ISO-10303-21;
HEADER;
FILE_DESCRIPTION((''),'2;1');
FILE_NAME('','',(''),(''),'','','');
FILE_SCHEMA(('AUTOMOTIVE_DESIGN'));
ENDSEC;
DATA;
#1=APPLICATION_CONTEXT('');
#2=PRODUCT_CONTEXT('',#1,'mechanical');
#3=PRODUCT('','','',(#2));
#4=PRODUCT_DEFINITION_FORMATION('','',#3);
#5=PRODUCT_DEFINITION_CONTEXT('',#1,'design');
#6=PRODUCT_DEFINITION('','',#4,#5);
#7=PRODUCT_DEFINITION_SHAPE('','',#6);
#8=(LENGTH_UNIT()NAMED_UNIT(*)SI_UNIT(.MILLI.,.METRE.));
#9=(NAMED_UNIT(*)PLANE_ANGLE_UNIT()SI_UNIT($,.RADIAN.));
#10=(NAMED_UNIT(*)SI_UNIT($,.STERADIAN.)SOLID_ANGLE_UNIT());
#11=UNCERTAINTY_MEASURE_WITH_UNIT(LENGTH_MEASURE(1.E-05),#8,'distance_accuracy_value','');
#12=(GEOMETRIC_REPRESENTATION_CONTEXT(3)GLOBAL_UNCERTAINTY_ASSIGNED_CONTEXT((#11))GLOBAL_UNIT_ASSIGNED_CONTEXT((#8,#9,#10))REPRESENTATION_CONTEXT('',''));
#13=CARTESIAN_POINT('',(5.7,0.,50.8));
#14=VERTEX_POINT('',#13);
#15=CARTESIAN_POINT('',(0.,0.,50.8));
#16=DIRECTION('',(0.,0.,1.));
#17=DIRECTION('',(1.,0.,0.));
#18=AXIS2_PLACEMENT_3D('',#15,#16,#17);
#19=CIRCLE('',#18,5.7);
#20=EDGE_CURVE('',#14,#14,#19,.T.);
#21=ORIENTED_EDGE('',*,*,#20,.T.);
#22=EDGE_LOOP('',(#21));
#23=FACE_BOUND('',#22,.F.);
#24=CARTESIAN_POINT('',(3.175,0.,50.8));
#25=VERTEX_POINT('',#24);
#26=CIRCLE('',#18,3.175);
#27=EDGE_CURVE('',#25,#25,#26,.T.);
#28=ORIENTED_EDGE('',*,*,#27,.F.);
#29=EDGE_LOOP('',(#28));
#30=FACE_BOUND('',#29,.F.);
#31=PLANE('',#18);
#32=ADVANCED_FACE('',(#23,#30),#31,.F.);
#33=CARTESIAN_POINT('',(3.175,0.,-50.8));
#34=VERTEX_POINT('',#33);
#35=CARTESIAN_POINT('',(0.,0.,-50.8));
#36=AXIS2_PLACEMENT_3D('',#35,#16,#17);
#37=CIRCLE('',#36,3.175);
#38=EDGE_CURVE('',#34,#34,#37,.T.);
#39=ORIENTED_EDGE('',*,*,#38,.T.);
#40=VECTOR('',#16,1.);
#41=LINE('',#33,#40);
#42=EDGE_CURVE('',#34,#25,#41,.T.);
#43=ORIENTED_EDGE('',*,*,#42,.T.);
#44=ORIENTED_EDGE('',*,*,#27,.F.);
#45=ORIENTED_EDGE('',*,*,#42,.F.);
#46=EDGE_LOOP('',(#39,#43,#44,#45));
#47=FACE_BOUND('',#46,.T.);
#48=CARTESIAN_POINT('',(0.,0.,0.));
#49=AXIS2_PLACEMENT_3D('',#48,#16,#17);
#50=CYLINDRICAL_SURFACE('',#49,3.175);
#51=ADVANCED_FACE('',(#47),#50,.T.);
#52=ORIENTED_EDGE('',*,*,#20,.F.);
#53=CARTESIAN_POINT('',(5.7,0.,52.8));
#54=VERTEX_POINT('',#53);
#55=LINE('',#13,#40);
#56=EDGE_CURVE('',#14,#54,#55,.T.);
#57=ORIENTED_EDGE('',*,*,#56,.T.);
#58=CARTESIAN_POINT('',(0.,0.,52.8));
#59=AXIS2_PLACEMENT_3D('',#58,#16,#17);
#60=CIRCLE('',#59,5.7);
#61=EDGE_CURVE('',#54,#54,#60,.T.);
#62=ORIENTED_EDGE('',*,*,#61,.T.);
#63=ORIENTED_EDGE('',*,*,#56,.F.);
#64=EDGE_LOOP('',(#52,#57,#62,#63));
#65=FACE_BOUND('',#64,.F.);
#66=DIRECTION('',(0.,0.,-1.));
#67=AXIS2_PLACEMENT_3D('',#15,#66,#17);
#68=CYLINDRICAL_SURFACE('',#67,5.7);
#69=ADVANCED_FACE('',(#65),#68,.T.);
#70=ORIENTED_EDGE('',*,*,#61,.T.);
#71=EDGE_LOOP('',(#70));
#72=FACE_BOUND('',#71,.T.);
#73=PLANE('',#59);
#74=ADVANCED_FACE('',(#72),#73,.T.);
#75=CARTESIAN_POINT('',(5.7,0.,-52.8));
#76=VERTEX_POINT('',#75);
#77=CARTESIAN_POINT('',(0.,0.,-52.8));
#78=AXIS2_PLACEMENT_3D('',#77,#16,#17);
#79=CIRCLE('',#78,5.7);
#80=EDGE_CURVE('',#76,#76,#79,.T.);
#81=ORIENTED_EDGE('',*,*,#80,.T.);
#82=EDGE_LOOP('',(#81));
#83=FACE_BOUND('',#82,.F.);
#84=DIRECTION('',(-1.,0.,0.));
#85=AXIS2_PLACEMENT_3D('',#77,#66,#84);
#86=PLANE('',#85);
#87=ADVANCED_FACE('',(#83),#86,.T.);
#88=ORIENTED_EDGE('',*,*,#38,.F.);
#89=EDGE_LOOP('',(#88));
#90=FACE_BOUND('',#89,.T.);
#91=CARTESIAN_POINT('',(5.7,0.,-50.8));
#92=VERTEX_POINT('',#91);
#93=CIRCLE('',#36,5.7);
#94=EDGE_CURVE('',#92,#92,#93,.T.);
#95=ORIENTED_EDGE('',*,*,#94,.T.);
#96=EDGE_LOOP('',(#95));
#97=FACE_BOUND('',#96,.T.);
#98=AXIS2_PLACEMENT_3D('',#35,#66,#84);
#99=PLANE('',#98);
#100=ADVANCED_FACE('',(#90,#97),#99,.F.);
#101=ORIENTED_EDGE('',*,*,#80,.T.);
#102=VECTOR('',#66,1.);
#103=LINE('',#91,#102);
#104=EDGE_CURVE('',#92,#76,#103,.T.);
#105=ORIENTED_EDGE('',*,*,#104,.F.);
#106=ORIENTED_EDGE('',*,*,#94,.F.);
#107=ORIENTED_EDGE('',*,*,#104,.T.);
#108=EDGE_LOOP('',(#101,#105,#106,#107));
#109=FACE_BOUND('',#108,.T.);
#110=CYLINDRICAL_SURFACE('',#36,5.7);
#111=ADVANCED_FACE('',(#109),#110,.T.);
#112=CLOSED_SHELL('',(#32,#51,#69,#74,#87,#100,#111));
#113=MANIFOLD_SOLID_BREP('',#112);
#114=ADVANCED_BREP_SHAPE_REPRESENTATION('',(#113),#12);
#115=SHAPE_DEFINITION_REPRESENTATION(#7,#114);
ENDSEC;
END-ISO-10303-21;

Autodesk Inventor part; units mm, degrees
ref_plane "YZ Plane" through (0, 0, 0) normal (1, 0, 0) x (0, 1, 0)
ref_plane "XZ Plane" through (0, 0, 0) normal (0, 1, 0) x (-1, 0, 0)
ref_plane "XY Plane" through (0, 0, 0) normal (0, 0, 1) x (1, 0, 0)
sketch "Sketch1" plane through (0, 0, 0) normal (0, 0, 1) x (1, 0, 0)
  circle A0 centre (0, 0) radius 3.175
  dimension "d0" = 6.35
extrude "Extrusion1" add sketch "Sketch1" along normal mid plane 101.6
sketch "Sketch2" plane through (0, 0, 50.8) normal (0, 0, 1) x (1, 0, 0)
  circle A0 centre (0, 0) radius 3.175 construction
  circle A1 centre (0, 0) radius 5.7
  dimension "d3" = 11.4
extrude "Extrusion2" add sketch "Sketch2" along normal blind 2
mirror "Mirror1" about plane through (0, 0, 0) normal (0, 0, 1) of "Extrusion2"
properties part number "HINGE PIN" material "Stainless Steel"
